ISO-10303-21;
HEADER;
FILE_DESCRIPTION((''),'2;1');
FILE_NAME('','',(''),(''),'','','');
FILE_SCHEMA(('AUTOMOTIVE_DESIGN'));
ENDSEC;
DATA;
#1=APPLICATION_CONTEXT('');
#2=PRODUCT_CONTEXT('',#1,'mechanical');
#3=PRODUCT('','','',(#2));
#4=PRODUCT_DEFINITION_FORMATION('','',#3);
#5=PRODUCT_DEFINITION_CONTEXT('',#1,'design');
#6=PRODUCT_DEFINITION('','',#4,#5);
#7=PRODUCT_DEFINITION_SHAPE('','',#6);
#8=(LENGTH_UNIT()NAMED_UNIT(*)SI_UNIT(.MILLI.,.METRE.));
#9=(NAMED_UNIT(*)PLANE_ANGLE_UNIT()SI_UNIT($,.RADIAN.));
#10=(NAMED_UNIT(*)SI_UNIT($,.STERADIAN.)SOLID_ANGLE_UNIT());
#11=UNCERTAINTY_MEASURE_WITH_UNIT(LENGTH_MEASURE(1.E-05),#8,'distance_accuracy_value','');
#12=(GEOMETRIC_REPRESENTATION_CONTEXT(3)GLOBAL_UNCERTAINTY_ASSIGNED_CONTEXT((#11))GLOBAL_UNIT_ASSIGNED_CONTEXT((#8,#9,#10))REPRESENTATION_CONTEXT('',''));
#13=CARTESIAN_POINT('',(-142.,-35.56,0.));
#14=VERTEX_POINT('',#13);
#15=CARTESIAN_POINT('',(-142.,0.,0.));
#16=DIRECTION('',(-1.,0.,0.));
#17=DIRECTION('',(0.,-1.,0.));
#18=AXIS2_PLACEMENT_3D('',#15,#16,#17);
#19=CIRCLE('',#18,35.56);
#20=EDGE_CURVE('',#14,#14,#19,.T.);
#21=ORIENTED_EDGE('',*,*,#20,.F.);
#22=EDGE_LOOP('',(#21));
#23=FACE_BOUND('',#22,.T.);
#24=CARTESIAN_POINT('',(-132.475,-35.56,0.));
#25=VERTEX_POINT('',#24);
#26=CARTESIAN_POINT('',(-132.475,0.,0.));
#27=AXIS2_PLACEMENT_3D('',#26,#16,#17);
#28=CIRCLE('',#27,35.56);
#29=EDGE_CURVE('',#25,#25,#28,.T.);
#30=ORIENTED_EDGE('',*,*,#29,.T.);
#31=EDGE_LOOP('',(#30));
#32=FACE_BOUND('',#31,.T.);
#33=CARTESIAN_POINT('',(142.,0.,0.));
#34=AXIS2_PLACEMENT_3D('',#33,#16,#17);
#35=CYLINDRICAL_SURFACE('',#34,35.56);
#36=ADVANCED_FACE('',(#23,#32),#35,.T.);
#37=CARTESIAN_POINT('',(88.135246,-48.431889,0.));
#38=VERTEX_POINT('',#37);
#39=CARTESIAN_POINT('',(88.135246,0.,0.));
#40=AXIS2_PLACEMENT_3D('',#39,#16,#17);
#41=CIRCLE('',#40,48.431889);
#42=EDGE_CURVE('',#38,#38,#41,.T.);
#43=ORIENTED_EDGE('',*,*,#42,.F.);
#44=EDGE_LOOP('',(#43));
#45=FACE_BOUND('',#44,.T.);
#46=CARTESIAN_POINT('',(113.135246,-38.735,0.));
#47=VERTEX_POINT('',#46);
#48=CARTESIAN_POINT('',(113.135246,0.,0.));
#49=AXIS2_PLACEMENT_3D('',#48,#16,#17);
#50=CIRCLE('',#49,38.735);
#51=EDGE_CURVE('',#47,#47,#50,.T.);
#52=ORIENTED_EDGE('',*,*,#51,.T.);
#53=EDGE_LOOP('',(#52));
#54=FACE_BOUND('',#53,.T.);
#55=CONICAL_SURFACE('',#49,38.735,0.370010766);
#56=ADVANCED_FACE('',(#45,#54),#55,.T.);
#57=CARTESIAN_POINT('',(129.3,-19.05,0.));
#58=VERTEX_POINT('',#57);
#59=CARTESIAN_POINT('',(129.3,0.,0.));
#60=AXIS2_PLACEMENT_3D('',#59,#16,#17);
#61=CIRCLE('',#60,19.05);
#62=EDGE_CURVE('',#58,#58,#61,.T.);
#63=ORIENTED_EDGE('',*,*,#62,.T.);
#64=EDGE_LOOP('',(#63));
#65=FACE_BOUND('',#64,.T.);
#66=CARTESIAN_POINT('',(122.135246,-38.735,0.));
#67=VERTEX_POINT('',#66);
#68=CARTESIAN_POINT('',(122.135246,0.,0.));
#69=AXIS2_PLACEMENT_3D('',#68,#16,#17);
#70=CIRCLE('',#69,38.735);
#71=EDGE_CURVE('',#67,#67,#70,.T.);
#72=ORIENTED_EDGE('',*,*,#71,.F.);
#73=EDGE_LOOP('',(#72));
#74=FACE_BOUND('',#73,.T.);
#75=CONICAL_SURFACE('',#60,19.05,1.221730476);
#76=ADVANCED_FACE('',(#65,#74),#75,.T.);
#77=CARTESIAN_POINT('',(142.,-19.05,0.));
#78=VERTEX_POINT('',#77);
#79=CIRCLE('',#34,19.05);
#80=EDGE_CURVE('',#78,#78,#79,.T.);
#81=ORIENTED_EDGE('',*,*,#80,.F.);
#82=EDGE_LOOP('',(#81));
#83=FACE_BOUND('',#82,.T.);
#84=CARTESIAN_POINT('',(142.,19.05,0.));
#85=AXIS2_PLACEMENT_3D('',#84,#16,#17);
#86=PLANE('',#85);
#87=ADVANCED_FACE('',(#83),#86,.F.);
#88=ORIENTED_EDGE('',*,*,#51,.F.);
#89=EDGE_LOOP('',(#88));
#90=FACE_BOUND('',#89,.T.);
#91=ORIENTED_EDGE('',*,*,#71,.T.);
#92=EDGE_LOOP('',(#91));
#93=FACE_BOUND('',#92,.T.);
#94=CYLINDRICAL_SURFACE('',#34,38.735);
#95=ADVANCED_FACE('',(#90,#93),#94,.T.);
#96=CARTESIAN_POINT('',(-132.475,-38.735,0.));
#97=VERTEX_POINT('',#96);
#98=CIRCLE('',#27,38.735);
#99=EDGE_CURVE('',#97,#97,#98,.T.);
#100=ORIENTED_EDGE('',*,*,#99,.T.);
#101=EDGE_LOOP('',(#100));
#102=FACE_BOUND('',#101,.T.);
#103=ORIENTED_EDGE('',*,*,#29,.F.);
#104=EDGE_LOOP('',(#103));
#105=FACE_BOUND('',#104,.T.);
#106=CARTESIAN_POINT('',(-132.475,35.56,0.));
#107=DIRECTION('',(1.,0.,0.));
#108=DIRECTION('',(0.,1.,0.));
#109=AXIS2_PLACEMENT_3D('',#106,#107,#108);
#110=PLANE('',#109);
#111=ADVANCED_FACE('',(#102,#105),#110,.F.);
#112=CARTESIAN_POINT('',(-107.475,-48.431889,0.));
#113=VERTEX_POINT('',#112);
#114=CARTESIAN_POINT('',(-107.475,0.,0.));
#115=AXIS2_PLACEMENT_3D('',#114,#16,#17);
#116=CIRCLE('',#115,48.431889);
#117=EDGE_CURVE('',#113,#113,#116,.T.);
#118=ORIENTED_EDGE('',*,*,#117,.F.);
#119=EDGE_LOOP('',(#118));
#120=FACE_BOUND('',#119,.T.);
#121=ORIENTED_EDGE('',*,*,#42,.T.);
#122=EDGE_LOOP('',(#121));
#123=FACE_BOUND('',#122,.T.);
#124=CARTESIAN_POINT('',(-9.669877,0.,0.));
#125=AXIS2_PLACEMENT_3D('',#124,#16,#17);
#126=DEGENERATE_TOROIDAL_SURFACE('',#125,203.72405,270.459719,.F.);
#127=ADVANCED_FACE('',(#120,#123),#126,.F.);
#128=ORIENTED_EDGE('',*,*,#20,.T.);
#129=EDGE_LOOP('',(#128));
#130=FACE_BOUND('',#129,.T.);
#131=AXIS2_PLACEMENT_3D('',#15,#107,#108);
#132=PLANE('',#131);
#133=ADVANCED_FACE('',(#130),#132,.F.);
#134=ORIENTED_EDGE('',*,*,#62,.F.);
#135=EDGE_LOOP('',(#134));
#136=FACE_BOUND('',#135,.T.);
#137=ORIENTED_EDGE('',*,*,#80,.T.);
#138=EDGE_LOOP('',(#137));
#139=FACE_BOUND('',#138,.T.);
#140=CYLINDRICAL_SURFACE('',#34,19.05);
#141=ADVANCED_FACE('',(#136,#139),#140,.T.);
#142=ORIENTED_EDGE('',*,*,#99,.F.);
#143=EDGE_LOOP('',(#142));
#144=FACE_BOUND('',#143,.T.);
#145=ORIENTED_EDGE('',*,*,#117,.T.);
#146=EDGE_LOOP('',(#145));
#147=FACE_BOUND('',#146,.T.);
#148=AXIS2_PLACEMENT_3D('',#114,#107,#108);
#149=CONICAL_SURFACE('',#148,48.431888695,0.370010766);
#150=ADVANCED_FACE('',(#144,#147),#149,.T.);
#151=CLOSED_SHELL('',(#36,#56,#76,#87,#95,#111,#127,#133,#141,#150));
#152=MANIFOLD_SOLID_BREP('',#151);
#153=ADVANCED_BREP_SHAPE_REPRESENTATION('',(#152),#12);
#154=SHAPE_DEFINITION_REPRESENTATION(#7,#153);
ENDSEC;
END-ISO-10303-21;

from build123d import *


with BuildPart() as part:
    # Sketch1 → Revolve1 (revolve)
    with BuildSketch(Plane.XY, mode=Mode.PRIVATE) as revolve1_sk:
        with BuildLine():
            Line((-142, 35.56), (-132.475, 35.56))
            Line((-132.475, 35.56), (-132.475, 38.735))
            Line((-132.475, 38.735), (-107.475, 48.431888695))
            ThreePointArc((-107.475, 48.431888695), (-9.669877031, 66.73566879), (88.135245938, 48.431888695))
            Line((88.135245938, 48.431888695), (113.135245938, 38.735))
            Line((113.135245938, 38.735), (122.135245938, 38.735))
            Line((122.135245938, 38.735), (129.3, 19.05))
            Line((129.3, 19.05), (142, 19.05))
            Line((142, 19.05), (142, 0))
            Line((142, 0), (-142, 0))
            Line((-142, 0), (-142, 35.56))
        make_face()
    revolve(revolve1_sk.sketch.rotate(Axis((142, 0, 0), (1, 0, 0)), 180), axis=Axis((142, 0, 0), (1, 0, 0)))


solid = part.part
